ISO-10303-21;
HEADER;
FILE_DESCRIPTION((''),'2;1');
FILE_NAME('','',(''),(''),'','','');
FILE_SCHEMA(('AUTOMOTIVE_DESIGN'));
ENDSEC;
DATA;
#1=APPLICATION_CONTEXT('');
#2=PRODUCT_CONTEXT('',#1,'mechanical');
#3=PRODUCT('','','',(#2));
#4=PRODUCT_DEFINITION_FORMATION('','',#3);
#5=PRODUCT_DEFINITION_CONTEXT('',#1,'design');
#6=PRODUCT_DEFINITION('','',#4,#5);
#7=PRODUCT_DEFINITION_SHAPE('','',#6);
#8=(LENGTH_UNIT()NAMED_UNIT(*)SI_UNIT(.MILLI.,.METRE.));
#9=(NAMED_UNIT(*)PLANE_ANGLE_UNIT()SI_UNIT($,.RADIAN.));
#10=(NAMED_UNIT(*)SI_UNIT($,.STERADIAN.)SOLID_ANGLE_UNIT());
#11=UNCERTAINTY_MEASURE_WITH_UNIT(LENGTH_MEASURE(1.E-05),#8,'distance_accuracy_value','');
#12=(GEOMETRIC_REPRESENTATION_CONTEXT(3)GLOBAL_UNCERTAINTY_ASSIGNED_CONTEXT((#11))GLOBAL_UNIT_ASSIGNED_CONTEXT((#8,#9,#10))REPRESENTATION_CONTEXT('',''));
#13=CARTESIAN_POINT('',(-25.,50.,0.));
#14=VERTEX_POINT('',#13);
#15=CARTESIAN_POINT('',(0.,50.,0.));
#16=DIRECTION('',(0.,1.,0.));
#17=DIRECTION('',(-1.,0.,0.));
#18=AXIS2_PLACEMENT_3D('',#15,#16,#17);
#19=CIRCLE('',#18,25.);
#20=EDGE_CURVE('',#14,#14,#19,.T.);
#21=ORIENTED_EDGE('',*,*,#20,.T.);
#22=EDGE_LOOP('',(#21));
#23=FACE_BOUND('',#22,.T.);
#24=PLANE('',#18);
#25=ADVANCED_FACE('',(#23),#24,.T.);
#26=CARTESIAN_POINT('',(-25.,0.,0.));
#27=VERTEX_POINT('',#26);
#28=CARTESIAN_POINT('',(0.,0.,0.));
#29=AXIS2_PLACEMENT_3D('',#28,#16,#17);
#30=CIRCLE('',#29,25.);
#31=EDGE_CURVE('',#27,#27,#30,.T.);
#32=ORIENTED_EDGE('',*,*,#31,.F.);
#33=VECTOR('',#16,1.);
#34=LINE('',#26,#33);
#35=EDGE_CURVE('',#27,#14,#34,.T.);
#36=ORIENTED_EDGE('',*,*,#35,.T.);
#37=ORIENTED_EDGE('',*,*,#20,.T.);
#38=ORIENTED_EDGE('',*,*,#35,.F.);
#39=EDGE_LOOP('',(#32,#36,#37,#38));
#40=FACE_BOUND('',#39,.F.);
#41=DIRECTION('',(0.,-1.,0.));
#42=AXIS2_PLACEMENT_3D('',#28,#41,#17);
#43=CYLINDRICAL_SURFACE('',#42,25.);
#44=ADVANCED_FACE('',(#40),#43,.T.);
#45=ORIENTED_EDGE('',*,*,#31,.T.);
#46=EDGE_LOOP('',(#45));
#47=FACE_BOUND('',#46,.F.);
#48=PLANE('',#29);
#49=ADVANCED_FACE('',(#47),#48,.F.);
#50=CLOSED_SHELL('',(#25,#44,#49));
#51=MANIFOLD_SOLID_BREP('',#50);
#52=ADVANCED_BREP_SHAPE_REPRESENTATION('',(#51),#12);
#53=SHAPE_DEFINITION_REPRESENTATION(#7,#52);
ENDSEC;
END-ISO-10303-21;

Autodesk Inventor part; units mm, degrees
ref_plane "YZ Plane" through (0, 0, 0) normal (1, 0, 0) x (0, 1, 0)
ref_plane "XZ Plane" through (0, 0, 0) normal (0, 1, 0) x (-1, 0, 0)
ref_plane "XY Plane" through (0, 0, 0) normal (0, 0, 1) x (1, 0, 0)
sketch "Sketch1" plane through (0, 0, 0) normal (0, 1, 0) x (-1, 0, 0)
  circle A0 centre (0, 0) radius 25
  dimension "d0" = 50
extrude "Extrusion1" add sketch "Sketch1" along normal blind 50
properties part number "cylindrical fin"
